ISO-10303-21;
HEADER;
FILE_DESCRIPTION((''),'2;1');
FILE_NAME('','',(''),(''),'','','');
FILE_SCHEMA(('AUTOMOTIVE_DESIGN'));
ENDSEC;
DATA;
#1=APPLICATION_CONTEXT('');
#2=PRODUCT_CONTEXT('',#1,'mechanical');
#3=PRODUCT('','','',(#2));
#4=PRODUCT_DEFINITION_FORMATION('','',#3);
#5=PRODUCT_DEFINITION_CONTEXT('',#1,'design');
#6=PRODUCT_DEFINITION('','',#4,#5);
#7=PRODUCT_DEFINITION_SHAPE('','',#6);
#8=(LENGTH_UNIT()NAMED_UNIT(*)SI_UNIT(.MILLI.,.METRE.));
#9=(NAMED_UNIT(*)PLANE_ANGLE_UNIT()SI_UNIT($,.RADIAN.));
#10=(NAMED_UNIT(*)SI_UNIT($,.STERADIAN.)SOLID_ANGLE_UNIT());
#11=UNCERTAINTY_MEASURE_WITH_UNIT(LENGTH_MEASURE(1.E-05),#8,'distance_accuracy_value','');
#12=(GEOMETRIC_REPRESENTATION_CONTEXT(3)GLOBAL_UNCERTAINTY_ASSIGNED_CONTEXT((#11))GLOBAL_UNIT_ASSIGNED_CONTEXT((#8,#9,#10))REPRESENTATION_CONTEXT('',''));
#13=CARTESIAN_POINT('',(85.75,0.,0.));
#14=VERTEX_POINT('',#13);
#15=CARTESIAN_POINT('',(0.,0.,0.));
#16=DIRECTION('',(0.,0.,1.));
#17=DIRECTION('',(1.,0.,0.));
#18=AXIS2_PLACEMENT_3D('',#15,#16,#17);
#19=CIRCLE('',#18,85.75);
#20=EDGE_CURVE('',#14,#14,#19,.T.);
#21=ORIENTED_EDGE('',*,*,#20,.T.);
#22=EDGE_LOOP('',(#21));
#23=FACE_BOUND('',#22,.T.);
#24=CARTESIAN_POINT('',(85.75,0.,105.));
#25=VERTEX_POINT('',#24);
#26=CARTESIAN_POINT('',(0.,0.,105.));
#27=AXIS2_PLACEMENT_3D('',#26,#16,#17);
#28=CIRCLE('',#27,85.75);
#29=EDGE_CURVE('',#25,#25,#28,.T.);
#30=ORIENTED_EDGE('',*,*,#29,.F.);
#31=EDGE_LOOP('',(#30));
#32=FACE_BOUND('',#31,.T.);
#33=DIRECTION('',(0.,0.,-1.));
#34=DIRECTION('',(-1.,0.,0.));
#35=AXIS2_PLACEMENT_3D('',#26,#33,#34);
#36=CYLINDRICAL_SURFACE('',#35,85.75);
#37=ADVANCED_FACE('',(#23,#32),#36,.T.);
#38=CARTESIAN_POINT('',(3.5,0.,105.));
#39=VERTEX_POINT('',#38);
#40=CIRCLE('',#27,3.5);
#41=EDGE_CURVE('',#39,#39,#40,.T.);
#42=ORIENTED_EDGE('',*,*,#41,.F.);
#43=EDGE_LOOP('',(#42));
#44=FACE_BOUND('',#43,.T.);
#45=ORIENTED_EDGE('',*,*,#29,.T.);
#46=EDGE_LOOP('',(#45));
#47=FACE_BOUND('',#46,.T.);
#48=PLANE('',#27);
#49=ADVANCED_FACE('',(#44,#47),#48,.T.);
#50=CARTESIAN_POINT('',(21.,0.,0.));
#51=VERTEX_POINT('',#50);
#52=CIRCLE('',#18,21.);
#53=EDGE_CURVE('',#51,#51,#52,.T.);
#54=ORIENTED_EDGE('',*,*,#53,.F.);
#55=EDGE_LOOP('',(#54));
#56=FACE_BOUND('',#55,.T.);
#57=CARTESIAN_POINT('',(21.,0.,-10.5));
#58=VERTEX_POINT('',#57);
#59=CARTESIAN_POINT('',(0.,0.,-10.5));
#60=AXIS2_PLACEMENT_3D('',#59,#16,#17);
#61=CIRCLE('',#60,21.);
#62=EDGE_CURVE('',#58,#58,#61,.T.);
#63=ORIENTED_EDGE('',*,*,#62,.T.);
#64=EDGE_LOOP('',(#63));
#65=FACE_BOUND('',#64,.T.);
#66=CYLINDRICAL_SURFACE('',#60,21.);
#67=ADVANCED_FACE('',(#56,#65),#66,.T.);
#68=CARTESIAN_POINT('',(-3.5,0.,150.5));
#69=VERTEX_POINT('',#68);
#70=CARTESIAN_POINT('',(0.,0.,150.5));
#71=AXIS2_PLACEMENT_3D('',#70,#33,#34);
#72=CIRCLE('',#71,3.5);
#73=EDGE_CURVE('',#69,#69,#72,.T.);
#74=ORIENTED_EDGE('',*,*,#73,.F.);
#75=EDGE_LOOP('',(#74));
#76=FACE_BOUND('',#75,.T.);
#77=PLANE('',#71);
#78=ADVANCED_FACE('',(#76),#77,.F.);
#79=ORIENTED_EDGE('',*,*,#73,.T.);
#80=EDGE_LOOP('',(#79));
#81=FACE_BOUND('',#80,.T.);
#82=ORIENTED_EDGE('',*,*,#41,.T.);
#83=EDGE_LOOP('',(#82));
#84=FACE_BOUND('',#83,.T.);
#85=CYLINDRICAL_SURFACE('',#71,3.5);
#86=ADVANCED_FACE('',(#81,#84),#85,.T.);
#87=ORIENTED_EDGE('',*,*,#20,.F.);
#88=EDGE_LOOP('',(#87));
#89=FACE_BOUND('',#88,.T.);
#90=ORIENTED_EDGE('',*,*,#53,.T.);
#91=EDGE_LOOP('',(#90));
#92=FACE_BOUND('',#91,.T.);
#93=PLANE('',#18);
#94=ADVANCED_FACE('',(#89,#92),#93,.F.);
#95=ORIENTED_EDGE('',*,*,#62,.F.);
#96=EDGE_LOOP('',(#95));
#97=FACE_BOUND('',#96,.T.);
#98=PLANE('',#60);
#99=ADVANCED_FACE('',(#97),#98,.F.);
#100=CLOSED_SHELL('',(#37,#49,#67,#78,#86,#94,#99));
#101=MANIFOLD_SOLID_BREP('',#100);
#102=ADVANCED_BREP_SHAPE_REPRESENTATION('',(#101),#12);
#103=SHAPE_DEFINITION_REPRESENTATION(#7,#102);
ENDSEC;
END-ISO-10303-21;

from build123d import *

# Parameters (mm, degrees)
CROQUIS1_R              = 85.75
SALIENTE_EXTRUIR1_DEPTH = 105
CROQUIS2_R              = 21
SALIENTE_EXTRUIR2_DEPTH = 10.5
CROQUIS3_R              = 3.5
SALIENTE_EXTRUIR4_DEPTH = 150.5


with BuildPart() as part:
    # Croquis1 → Saliente-Extruir1 (new body)
    with BuildSketch(Plane.XY):
        Circle(CROQUIS1_R)
    extrude(amount=SALIENTE_EXTRUIR1_DEPTH)

    # Croquis2 → Saliente-Extruir2 (add)
    with BuildSketch(Plane.XY):
        Circle(CROQUIS2_R)
    extrude(amount=-SALIENTE_EXTRUIR2_DEPTH)

    # Croquis3 → Saliente-Extruir4 (add)
    with BuildSketch(Plane(origin=(0, 0, 0), x_dir=(-1, 0, 0), z_dir=(0, 0, -1))):
        Circle(CROQUIS3_R)
    extrude(amount=-SALIENTE_EXTRUIR4_DEPTH)


solid = part.part
